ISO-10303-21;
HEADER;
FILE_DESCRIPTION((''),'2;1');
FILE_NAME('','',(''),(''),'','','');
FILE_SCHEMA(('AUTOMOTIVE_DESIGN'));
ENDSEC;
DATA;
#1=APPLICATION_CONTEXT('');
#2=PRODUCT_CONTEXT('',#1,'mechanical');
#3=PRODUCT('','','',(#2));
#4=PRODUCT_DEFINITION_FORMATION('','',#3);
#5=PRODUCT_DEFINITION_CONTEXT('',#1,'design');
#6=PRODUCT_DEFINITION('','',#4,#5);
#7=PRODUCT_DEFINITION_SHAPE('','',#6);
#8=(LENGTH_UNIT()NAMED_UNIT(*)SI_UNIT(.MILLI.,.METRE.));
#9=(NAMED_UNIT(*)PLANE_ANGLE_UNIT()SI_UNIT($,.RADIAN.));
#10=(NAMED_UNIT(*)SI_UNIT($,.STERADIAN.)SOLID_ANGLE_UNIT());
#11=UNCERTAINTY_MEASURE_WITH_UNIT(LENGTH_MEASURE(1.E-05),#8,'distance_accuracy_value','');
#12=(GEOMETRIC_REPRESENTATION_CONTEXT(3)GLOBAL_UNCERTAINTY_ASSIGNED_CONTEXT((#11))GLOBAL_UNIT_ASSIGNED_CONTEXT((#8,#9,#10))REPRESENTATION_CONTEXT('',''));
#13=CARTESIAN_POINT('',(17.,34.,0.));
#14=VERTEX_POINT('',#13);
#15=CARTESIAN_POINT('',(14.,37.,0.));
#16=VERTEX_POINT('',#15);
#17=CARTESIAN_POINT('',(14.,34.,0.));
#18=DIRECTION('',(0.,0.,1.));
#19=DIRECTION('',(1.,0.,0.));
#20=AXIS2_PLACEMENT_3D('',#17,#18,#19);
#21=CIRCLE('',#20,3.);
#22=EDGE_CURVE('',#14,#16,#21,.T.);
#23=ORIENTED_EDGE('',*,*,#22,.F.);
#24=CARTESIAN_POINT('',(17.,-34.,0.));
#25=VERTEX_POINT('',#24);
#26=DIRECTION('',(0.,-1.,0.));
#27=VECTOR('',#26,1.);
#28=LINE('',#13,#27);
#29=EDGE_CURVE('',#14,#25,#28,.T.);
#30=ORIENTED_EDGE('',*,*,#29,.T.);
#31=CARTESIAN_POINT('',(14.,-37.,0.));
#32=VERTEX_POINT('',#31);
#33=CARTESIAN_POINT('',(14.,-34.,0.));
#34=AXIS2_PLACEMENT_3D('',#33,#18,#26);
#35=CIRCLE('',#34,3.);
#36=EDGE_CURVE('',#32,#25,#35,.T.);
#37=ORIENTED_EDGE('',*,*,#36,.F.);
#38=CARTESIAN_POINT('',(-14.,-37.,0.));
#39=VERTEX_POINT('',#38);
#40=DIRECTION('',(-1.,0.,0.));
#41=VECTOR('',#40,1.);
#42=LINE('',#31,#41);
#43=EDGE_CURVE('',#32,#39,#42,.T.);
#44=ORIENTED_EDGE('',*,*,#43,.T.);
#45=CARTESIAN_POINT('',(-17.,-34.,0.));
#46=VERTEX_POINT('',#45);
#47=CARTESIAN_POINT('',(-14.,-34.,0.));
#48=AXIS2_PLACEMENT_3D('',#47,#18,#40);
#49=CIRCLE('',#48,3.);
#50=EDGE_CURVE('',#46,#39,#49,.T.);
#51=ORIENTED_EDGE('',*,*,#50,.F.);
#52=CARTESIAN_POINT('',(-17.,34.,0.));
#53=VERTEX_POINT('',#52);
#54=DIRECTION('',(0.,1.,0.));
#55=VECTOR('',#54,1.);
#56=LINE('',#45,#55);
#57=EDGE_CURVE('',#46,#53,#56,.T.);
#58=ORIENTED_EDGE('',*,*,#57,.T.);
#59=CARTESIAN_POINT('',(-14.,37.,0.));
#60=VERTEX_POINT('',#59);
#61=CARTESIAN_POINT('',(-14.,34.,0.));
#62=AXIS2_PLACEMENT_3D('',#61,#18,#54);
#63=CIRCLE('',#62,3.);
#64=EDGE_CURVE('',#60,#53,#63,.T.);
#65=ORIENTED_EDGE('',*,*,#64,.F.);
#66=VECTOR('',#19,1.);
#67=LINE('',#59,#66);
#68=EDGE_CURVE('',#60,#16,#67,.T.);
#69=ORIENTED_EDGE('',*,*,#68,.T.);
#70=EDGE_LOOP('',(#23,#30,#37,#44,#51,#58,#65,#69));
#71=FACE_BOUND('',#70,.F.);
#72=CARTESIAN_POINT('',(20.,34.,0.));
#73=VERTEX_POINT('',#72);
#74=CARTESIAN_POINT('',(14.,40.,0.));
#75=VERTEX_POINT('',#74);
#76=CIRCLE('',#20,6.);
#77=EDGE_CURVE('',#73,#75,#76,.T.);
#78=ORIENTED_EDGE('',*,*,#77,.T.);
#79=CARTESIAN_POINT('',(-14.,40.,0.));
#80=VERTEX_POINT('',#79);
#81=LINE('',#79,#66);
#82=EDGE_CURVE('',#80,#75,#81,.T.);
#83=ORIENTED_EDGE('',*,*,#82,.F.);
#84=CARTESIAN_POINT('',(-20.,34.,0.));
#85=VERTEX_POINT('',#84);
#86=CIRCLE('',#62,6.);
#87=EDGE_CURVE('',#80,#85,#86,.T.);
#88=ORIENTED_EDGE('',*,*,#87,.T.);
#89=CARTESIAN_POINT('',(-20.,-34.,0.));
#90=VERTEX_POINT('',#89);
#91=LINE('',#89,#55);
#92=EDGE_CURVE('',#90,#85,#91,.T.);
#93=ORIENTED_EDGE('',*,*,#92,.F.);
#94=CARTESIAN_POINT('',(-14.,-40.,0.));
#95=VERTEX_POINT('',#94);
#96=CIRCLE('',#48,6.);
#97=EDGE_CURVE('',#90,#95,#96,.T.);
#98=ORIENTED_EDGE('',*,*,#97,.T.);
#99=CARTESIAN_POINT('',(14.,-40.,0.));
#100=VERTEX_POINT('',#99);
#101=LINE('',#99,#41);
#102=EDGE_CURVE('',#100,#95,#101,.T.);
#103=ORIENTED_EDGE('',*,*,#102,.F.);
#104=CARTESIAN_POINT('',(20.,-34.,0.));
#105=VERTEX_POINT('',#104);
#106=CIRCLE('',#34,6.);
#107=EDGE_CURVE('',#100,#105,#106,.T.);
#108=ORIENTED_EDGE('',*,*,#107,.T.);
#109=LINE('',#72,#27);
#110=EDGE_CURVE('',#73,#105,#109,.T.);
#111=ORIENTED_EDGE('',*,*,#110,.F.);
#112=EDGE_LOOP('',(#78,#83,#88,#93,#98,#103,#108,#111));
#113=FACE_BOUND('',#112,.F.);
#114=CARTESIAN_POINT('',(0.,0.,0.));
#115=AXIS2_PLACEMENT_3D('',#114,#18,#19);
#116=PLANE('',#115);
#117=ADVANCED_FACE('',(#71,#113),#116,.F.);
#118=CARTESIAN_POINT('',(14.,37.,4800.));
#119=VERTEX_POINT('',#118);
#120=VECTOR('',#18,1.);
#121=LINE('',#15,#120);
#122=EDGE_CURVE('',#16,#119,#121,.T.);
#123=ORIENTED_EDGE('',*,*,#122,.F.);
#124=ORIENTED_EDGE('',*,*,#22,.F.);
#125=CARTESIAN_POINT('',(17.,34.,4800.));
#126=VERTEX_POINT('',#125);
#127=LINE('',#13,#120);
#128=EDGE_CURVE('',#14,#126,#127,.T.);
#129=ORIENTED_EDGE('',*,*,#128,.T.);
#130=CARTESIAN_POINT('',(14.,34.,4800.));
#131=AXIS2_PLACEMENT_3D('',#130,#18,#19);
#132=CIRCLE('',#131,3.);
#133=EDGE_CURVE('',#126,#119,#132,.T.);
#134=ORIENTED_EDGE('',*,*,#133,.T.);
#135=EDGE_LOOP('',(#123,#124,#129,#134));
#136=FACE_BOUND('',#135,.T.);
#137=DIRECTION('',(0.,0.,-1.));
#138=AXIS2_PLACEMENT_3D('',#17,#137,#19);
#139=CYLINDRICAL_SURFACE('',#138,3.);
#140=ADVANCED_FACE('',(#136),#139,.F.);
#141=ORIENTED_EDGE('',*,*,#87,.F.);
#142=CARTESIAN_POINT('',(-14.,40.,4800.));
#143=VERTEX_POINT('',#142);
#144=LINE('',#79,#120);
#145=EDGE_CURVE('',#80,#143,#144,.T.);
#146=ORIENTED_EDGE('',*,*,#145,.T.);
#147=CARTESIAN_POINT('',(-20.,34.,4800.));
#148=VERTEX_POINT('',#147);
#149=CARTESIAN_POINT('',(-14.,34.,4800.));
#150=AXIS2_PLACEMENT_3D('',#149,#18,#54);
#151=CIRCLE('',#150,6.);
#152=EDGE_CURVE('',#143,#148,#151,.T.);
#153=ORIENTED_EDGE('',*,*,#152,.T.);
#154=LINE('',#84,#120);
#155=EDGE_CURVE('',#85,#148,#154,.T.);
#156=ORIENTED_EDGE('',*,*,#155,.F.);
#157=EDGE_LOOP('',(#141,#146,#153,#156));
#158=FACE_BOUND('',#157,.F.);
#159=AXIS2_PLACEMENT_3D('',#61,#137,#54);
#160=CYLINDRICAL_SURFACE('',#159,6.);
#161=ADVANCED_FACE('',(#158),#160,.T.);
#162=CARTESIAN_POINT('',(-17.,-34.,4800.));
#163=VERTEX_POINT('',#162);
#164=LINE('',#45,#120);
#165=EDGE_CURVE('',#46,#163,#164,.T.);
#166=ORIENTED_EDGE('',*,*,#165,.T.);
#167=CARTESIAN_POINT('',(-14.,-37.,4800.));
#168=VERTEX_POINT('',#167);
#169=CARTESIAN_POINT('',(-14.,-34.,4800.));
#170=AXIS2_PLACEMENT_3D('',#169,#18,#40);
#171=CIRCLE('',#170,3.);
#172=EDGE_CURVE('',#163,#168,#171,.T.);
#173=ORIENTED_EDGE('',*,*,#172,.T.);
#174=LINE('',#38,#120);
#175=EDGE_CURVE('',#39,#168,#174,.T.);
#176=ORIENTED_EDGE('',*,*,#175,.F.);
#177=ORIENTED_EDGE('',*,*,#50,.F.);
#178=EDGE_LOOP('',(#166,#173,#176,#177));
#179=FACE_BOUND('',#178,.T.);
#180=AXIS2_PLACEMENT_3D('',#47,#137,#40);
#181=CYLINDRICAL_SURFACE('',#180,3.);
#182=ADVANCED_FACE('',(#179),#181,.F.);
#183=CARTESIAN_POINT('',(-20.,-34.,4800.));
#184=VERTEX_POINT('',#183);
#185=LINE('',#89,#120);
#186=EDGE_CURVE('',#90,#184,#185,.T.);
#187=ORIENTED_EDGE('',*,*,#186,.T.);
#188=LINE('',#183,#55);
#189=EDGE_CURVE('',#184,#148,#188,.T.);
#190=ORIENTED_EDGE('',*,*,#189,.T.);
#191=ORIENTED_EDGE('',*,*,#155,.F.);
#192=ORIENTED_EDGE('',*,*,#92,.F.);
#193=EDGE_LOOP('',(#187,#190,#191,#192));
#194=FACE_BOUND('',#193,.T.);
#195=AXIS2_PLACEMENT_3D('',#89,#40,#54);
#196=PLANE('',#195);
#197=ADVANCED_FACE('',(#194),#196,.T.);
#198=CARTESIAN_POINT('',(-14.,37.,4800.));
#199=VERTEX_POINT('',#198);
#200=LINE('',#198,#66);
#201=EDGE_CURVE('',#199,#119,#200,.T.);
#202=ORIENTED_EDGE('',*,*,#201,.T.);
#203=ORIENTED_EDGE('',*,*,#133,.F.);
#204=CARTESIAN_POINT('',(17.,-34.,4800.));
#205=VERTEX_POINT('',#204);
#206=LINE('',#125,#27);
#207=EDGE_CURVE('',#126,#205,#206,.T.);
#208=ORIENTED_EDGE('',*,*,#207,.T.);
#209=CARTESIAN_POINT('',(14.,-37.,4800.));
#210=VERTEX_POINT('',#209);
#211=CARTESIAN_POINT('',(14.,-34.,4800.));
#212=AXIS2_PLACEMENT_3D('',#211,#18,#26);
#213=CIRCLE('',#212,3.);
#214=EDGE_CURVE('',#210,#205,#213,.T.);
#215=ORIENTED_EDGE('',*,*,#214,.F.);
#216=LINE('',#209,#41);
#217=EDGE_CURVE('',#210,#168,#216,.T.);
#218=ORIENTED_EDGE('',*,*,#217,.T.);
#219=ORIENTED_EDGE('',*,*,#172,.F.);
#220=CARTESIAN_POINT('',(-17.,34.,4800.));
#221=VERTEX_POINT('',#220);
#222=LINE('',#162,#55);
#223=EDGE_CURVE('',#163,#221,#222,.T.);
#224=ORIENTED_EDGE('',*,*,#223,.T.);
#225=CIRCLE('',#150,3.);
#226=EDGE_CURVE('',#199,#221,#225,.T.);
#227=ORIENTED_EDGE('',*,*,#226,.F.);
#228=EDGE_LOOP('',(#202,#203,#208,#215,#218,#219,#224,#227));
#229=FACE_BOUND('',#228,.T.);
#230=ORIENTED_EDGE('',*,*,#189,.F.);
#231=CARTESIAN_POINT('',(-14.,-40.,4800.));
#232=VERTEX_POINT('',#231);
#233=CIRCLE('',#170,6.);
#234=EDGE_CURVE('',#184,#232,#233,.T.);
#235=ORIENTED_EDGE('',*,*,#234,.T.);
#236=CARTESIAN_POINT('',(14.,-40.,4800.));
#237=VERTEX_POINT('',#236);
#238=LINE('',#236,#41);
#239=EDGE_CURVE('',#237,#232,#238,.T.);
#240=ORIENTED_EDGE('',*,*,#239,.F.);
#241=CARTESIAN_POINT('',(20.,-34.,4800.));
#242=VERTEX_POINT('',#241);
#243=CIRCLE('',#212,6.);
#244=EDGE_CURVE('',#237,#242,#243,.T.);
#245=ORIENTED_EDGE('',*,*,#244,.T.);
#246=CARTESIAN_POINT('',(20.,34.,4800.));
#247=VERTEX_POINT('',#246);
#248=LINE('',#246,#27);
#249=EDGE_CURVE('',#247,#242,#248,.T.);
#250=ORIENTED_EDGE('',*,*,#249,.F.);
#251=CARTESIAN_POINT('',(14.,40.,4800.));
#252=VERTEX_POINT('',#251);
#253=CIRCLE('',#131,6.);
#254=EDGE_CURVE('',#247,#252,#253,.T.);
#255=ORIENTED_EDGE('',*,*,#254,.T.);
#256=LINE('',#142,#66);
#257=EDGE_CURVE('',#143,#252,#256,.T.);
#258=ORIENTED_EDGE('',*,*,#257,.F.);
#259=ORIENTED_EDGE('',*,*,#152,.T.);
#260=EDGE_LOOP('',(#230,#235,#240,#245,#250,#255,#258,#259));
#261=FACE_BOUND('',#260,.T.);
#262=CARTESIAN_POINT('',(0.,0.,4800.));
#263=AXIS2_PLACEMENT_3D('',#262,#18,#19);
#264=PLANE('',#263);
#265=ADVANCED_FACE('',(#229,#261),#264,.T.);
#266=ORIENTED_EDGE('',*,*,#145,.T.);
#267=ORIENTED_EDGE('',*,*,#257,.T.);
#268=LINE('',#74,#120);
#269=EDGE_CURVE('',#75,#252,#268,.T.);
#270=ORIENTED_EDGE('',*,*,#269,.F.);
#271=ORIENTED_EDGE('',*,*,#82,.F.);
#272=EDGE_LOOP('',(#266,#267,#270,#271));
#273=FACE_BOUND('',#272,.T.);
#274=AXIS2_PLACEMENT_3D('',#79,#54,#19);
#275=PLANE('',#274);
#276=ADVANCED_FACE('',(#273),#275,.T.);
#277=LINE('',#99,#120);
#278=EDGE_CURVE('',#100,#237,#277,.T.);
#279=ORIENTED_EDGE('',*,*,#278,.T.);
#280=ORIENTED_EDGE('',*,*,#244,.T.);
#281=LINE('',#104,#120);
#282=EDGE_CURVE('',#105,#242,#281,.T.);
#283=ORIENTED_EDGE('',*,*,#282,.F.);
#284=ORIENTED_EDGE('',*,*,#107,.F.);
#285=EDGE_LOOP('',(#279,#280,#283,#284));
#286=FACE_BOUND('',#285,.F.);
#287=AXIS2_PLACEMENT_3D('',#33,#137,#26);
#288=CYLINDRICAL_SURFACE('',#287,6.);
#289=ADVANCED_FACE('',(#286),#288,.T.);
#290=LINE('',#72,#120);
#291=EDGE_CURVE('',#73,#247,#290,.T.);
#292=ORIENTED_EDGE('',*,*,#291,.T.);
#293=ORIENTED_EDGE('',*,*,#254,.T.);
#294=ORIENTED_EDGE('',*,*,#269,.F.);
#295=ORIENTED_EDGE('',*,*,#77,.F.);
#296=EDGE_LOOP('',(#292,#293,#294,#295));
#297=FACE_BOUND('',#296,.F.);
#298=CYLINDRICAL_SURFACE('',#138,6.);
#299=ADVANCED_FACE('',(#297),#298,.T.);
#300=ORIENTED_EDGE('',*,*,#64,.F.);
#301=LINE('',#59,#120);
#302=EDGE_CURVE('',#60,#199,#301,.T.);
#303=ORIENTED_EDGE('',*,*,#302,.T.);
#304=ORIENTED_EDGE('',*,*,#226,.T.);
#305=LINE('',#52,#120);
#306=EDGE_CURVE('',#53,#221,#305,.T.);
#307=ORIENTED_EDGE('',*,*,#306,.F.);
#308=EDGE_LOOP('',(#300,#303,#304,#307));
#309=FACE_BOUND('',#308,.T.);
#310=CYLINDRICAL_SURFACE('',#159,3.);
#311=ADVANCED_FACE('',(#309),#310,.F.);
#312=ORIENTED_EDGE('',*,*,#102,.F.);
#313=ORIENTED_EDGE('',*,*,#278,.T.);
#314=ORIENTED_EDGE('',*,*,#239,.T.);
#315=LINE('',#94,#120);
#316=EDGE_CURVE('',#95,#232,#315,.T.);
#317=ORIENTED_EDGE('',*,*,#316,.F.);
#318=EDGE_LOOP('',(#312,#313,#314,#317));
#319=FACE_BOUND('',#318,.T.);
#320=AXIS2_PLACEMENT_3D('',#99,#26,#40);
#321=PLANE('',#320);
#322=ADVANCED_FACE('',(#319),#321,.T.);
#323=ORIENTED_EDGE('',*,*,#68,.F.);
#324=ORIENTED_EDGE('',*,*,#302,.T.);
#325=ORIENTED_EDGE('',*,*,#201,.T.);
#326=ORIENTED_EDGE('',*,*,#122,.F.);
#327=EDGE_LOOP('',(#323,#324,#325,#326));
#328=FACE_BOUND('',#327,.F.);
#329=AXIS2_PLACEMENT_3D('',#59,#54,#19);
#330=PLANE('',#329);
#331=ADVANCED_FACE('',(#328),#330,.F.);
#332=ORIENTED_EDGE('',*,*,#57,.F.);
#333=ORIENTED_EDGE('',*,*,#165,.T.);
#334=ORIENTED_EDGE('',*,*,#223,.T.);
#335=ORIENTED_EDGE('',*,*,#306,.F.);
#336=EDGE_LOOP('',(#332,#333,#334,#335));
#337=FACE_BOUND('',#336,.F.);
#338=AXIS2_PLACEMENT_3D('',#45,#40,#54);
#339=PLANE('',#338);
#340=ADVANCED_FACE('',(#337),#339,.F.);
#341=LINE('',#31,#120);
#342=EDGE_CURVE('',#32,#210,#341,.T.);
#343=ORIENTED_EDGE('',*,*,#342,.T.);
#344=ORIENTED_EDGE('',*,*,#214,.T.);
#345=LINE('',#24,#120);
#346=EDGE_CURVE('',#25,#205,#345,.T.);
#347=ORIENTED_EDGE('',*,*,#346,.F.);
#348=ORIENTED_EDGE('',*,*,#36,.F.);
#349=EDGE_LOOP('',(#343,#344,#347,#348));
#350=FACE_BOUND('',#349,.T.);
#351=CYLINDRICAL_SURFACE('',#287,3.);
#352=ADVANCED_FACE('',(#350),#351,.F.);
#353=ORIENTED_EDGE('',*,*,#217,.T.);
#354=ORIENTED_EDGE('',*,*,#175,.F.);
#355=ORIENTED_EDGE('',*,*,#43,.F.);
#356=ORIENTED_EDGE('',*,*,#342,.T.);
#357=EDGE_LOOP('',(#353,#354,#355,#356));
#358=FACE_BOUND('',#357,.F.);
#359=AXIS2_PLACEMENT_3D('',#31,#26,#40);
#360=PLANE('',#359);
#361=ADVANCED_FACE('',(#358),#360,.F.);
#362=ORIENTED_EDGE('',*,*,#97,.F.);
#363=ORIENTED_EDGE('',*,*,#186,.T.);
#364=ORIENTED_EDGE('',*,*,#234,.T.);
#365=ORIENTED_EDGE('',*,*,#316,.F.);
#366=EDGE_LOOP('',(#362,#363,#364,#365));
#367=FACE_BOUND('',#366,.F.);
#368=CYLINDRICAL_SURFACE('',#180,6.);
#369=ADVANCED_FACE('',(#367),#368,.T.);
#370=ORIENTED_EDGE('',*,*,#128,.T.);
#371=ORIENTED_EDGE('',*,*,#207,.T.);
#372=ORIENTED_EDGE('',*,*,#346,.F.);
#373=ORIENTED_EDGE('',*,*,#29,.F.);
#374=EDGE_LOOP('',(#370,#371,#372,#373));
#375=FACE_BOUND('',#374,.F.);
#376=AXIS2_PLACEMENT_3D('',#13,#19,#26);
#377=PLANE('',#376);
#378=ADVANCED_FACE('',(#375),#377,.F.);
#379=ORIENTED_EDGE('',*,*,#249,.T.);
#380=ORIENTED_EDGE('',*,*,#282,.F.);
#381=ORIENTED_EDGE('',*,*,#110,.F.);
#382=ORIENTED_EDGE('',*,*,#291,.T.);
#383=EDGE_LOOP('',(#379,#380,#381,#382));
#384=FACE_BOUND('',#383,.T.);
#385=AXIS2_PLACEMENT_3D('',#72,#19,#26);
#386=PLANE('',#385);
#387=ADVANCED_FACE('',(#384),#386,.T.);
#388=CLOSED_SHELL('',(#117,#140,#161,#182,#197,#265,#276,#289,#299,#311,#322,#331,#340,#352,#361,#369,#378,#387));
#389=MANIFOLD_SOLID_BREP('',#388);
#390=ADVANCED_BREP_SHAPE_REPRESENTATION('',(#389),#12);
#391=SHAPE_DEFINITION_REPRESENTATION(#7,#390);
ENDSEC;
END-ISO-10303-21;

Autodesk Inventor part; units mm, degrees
ref_plane "YZ Plane" through (0, 0, 0) normal (1, 0, 0) x (0, 1, 0)
ref_plane "Start Plane" through (0, 0, 0) normal (0, 0, 1) x (1, 0, 0)
ref_plane "End Plane" through (0, 0, 4800) normal (0, 0, 1) x (1, 0, 0)
sketch "Sketch" plane through (0, 0, 0) normal (0, 0, 1) x (1, 0, 0)
  line L0 (-20, -34) -> (-20, 34)
  line L1 (-14, 40) -> (14, 40)
  line L2 (20, 34) -> (20, -34)
  line L3 (14, -40) -> (-14, -40)
  arc A0 (-20, -34) -> (-14, -40) centre (-14, -34) ccw
  arc A1 (20, 34) -> (14, 40) centre (14, 34) ccw
  arc A2 (-14, 40) -> (-20, 34) centre (-14, 34) ccw
  arc A3 (14, -40) -> (20, -34) centre (14, -34) ccw
  arc A4 (-14, 37) -> (-17, 34) centre (-14, 34) ccw
  line L4 (-14, 37) -> (14, 37)
  arc A5 (17, 34) -> (14, 37) centre (14, 34) ccw
  line L5 (17, 34) -> (17, -34)
  arc A6 (14, -37) -> (17, -34) centre (14, -34) ccw
  line L6 (14, -37) -> (-14, -37)
  arc A7 (-17, -34) -> (-14, -37) centre (-14, -34) ccw
  line L7 (-17, -34) -> (-17, 34)
  line L8 (0, 57.7397) -> (0, -57.7397) construction
  line L9 (-29.7397, 0) -> (29.7397, 0) construction
  dimension "d7" = 6
  dimension "d9" = 40
  dimension "d11" = 80
  dimension "d12" = 3
  dimension "d15" = 20
  dimension "d16" = 40
extrude "Body" add sketch "Sketch" along normal up to surface (4800 mm away) from surface at 0
sketch "Sketch3" plane through (0, 0, 0) normal (0, 0, 1) x (1, 0, 0)
  line L0 (0, 0) -> (10, 0)
ref_plane "Work Plane3" through (0, 0, 0) normal (0, -1, 0) x (1, 0, 0)
sketch "Sketch4" plane through (0, 0, 0) normal (0, -1, 0) x (1, 0, 0)
  line L0 (-2, 0) -> (12, 0) projected
  line L1 (-2, 4800) -> (12, 4800) projected
  dimension "d18" = 4800
equation "\"d7\" = G_IR"
equation "\"d9\" = G_W"
equation "\"d11\" = G_H"
equation "\"d12\" = G_T"
equation "\"d15\" = 0.5 * d9"
equation "\"d16\" = 0.5 * d11"
equation "\"d3\" = G_L"
equation "\"G_W\" = 40"
equation "\"G_H\" = 80"
equation "\"G_T\" = 3"
equation "\"G_IR\" = 6"
equation "\"G_L\" = d18"
equation "\"G_OFFSET_START\" = 0"
equation "\"G_OFFSET_END\" = 0"
properties part number "ISO 10799-2 - 80x40x3 - 4800" material "Steel, Mild"
